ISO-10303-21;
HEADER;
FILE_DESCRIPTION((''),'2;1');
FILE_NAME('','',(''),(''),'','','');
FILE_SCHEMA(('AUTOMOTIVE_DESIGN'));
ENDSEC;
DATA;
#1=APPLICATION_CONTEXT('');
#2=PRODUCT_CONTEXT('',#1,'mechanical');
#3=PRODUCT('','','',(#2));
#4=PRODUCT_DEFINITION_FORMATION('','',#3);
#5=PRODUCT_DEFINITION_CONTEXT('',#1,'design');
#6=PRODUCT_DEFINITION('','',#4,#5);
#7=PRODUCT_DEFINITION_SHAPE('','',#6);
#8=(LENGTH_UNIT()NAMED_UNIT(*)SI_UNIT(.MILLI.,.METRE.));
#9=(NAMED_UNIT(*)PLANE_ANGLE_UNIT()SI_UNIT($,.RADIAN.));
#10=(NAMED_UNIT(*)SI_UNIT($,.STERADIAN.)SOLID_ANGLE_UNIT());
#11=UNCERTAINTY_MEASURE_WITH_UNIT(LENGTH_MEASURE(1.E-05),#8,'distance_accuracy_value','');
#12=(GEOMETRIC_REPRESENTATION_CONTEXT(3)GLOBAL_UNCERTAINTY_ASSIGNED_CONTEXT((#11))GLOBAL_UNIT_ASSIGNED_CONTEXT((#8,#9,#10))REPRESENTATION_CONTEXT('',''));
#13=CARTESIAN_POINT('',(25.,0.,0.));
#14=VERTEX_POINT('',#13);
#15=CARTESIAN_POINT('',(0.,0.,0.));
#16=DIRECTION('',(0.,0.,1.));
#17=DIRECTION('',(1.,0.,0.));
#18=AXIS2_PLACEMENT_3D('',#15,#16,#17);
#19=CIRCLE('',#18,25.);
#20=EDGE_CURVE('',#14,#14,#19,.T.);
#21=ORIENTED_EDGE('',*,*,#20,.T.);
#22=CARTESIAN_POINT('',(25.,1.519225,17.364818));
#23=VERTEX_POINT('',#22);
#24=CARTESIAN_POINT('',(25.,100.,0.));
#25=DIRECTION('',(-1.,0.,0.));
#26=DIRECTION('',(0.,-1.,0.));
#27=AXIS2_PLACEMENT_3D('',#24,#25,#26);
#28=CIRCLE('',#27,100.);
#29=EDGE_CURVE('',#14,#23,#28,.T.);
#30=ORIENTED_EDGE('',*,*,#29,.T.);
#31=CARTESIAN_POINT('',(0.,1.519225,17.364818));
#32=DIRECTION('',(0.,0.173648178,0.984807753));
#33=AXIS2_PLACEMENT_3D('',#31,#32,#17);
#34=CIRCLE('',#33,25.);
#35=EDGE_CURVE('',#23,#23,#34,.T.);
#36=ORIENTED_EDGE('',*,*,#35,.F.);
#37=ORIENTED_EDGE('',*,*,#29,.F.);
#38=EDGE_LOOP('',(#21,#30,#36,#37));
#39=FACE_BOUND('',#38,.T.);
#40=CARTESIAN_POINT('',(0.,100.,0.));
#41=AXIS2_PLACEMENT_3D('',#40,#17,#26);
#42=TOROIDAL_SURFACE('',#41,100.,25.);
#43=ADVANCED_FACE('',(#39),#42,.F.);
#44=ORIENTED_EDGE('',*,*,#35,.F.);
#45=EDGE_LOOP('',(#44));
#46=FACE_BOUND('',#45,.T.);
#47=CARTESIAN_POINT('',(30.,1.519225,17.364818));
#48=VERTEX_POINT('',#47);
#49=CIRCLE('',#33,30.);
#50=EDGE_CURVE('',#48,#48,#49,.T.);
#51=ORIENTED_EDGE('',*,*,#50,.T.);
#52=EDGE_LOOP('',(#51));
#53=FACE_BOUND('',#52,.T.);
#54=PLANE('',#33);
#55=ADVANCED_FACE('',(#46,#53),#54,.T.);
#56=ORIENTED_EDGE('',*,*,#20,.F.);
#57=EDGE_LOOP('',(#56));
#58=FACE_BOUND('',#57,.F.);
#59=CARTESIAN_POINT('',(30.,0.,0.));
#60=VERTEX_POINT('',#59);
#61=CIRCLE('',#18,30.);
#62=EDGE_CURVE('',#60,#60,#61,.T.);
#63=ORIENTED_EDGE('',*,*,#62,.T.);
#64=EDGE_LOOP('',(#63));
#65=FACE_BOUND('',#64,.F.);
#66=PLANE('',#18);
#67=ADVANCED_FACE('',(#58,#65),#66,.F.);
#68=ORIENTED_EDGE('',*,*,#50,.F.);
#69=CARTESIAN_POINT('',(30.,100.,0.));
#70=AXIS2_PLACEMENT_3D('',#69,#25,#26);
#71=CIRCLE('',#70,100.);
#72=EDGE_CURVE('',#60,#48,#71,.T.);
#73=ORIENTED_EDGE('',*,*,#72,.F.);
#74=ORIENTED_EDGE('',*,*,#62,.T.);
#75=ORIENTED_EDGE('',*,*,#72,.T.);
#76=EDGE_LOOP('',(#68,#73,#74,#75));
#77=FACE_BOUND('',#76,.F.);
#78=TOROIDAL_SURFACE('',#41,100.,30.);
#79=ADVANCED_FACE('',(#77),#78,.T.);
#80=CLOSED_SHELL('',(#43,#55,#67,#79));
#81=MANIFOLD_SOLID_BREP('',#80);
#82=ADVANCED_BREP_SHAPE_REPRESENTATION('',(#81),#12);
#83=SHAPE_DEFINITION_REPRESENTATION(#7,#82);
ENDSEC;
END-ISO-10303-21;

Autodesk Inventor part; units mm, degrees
ref_plane "YZ Plane" through (0, 0, 0) normal (1, 0, 0) x (0, 1, 0)
ref_plane "XZ Plane" through (0, 0, 0) normal (0, 1, 0) x (-1, 0, 0)
ref_plane "XY Plane" through (0, 0, 0) normal (0, 0, 1) x (1, 0, 0)
sketch "Sketch1" plane through (0, 0, 0) normal (0, 0, 1) x (1, 0, 0)
  circle A0 centre (0, 0) radius 25
  circle A1 centre (0, 0) radius 30
  line L0 (0, 0) -> (0, 100) construction
  line L1 (70, 100) -> (-70, 100)
  dimension "d0" = 50
  dimension "d1" = 5
  dimension "d4" = 100
  dimension "d5" = 140
revolve "Revolution1" add sketch "Sketch1" angle 10 about axis through (70, 100, 0) along (-1, 0, 0)
properties part number "track z22522"
